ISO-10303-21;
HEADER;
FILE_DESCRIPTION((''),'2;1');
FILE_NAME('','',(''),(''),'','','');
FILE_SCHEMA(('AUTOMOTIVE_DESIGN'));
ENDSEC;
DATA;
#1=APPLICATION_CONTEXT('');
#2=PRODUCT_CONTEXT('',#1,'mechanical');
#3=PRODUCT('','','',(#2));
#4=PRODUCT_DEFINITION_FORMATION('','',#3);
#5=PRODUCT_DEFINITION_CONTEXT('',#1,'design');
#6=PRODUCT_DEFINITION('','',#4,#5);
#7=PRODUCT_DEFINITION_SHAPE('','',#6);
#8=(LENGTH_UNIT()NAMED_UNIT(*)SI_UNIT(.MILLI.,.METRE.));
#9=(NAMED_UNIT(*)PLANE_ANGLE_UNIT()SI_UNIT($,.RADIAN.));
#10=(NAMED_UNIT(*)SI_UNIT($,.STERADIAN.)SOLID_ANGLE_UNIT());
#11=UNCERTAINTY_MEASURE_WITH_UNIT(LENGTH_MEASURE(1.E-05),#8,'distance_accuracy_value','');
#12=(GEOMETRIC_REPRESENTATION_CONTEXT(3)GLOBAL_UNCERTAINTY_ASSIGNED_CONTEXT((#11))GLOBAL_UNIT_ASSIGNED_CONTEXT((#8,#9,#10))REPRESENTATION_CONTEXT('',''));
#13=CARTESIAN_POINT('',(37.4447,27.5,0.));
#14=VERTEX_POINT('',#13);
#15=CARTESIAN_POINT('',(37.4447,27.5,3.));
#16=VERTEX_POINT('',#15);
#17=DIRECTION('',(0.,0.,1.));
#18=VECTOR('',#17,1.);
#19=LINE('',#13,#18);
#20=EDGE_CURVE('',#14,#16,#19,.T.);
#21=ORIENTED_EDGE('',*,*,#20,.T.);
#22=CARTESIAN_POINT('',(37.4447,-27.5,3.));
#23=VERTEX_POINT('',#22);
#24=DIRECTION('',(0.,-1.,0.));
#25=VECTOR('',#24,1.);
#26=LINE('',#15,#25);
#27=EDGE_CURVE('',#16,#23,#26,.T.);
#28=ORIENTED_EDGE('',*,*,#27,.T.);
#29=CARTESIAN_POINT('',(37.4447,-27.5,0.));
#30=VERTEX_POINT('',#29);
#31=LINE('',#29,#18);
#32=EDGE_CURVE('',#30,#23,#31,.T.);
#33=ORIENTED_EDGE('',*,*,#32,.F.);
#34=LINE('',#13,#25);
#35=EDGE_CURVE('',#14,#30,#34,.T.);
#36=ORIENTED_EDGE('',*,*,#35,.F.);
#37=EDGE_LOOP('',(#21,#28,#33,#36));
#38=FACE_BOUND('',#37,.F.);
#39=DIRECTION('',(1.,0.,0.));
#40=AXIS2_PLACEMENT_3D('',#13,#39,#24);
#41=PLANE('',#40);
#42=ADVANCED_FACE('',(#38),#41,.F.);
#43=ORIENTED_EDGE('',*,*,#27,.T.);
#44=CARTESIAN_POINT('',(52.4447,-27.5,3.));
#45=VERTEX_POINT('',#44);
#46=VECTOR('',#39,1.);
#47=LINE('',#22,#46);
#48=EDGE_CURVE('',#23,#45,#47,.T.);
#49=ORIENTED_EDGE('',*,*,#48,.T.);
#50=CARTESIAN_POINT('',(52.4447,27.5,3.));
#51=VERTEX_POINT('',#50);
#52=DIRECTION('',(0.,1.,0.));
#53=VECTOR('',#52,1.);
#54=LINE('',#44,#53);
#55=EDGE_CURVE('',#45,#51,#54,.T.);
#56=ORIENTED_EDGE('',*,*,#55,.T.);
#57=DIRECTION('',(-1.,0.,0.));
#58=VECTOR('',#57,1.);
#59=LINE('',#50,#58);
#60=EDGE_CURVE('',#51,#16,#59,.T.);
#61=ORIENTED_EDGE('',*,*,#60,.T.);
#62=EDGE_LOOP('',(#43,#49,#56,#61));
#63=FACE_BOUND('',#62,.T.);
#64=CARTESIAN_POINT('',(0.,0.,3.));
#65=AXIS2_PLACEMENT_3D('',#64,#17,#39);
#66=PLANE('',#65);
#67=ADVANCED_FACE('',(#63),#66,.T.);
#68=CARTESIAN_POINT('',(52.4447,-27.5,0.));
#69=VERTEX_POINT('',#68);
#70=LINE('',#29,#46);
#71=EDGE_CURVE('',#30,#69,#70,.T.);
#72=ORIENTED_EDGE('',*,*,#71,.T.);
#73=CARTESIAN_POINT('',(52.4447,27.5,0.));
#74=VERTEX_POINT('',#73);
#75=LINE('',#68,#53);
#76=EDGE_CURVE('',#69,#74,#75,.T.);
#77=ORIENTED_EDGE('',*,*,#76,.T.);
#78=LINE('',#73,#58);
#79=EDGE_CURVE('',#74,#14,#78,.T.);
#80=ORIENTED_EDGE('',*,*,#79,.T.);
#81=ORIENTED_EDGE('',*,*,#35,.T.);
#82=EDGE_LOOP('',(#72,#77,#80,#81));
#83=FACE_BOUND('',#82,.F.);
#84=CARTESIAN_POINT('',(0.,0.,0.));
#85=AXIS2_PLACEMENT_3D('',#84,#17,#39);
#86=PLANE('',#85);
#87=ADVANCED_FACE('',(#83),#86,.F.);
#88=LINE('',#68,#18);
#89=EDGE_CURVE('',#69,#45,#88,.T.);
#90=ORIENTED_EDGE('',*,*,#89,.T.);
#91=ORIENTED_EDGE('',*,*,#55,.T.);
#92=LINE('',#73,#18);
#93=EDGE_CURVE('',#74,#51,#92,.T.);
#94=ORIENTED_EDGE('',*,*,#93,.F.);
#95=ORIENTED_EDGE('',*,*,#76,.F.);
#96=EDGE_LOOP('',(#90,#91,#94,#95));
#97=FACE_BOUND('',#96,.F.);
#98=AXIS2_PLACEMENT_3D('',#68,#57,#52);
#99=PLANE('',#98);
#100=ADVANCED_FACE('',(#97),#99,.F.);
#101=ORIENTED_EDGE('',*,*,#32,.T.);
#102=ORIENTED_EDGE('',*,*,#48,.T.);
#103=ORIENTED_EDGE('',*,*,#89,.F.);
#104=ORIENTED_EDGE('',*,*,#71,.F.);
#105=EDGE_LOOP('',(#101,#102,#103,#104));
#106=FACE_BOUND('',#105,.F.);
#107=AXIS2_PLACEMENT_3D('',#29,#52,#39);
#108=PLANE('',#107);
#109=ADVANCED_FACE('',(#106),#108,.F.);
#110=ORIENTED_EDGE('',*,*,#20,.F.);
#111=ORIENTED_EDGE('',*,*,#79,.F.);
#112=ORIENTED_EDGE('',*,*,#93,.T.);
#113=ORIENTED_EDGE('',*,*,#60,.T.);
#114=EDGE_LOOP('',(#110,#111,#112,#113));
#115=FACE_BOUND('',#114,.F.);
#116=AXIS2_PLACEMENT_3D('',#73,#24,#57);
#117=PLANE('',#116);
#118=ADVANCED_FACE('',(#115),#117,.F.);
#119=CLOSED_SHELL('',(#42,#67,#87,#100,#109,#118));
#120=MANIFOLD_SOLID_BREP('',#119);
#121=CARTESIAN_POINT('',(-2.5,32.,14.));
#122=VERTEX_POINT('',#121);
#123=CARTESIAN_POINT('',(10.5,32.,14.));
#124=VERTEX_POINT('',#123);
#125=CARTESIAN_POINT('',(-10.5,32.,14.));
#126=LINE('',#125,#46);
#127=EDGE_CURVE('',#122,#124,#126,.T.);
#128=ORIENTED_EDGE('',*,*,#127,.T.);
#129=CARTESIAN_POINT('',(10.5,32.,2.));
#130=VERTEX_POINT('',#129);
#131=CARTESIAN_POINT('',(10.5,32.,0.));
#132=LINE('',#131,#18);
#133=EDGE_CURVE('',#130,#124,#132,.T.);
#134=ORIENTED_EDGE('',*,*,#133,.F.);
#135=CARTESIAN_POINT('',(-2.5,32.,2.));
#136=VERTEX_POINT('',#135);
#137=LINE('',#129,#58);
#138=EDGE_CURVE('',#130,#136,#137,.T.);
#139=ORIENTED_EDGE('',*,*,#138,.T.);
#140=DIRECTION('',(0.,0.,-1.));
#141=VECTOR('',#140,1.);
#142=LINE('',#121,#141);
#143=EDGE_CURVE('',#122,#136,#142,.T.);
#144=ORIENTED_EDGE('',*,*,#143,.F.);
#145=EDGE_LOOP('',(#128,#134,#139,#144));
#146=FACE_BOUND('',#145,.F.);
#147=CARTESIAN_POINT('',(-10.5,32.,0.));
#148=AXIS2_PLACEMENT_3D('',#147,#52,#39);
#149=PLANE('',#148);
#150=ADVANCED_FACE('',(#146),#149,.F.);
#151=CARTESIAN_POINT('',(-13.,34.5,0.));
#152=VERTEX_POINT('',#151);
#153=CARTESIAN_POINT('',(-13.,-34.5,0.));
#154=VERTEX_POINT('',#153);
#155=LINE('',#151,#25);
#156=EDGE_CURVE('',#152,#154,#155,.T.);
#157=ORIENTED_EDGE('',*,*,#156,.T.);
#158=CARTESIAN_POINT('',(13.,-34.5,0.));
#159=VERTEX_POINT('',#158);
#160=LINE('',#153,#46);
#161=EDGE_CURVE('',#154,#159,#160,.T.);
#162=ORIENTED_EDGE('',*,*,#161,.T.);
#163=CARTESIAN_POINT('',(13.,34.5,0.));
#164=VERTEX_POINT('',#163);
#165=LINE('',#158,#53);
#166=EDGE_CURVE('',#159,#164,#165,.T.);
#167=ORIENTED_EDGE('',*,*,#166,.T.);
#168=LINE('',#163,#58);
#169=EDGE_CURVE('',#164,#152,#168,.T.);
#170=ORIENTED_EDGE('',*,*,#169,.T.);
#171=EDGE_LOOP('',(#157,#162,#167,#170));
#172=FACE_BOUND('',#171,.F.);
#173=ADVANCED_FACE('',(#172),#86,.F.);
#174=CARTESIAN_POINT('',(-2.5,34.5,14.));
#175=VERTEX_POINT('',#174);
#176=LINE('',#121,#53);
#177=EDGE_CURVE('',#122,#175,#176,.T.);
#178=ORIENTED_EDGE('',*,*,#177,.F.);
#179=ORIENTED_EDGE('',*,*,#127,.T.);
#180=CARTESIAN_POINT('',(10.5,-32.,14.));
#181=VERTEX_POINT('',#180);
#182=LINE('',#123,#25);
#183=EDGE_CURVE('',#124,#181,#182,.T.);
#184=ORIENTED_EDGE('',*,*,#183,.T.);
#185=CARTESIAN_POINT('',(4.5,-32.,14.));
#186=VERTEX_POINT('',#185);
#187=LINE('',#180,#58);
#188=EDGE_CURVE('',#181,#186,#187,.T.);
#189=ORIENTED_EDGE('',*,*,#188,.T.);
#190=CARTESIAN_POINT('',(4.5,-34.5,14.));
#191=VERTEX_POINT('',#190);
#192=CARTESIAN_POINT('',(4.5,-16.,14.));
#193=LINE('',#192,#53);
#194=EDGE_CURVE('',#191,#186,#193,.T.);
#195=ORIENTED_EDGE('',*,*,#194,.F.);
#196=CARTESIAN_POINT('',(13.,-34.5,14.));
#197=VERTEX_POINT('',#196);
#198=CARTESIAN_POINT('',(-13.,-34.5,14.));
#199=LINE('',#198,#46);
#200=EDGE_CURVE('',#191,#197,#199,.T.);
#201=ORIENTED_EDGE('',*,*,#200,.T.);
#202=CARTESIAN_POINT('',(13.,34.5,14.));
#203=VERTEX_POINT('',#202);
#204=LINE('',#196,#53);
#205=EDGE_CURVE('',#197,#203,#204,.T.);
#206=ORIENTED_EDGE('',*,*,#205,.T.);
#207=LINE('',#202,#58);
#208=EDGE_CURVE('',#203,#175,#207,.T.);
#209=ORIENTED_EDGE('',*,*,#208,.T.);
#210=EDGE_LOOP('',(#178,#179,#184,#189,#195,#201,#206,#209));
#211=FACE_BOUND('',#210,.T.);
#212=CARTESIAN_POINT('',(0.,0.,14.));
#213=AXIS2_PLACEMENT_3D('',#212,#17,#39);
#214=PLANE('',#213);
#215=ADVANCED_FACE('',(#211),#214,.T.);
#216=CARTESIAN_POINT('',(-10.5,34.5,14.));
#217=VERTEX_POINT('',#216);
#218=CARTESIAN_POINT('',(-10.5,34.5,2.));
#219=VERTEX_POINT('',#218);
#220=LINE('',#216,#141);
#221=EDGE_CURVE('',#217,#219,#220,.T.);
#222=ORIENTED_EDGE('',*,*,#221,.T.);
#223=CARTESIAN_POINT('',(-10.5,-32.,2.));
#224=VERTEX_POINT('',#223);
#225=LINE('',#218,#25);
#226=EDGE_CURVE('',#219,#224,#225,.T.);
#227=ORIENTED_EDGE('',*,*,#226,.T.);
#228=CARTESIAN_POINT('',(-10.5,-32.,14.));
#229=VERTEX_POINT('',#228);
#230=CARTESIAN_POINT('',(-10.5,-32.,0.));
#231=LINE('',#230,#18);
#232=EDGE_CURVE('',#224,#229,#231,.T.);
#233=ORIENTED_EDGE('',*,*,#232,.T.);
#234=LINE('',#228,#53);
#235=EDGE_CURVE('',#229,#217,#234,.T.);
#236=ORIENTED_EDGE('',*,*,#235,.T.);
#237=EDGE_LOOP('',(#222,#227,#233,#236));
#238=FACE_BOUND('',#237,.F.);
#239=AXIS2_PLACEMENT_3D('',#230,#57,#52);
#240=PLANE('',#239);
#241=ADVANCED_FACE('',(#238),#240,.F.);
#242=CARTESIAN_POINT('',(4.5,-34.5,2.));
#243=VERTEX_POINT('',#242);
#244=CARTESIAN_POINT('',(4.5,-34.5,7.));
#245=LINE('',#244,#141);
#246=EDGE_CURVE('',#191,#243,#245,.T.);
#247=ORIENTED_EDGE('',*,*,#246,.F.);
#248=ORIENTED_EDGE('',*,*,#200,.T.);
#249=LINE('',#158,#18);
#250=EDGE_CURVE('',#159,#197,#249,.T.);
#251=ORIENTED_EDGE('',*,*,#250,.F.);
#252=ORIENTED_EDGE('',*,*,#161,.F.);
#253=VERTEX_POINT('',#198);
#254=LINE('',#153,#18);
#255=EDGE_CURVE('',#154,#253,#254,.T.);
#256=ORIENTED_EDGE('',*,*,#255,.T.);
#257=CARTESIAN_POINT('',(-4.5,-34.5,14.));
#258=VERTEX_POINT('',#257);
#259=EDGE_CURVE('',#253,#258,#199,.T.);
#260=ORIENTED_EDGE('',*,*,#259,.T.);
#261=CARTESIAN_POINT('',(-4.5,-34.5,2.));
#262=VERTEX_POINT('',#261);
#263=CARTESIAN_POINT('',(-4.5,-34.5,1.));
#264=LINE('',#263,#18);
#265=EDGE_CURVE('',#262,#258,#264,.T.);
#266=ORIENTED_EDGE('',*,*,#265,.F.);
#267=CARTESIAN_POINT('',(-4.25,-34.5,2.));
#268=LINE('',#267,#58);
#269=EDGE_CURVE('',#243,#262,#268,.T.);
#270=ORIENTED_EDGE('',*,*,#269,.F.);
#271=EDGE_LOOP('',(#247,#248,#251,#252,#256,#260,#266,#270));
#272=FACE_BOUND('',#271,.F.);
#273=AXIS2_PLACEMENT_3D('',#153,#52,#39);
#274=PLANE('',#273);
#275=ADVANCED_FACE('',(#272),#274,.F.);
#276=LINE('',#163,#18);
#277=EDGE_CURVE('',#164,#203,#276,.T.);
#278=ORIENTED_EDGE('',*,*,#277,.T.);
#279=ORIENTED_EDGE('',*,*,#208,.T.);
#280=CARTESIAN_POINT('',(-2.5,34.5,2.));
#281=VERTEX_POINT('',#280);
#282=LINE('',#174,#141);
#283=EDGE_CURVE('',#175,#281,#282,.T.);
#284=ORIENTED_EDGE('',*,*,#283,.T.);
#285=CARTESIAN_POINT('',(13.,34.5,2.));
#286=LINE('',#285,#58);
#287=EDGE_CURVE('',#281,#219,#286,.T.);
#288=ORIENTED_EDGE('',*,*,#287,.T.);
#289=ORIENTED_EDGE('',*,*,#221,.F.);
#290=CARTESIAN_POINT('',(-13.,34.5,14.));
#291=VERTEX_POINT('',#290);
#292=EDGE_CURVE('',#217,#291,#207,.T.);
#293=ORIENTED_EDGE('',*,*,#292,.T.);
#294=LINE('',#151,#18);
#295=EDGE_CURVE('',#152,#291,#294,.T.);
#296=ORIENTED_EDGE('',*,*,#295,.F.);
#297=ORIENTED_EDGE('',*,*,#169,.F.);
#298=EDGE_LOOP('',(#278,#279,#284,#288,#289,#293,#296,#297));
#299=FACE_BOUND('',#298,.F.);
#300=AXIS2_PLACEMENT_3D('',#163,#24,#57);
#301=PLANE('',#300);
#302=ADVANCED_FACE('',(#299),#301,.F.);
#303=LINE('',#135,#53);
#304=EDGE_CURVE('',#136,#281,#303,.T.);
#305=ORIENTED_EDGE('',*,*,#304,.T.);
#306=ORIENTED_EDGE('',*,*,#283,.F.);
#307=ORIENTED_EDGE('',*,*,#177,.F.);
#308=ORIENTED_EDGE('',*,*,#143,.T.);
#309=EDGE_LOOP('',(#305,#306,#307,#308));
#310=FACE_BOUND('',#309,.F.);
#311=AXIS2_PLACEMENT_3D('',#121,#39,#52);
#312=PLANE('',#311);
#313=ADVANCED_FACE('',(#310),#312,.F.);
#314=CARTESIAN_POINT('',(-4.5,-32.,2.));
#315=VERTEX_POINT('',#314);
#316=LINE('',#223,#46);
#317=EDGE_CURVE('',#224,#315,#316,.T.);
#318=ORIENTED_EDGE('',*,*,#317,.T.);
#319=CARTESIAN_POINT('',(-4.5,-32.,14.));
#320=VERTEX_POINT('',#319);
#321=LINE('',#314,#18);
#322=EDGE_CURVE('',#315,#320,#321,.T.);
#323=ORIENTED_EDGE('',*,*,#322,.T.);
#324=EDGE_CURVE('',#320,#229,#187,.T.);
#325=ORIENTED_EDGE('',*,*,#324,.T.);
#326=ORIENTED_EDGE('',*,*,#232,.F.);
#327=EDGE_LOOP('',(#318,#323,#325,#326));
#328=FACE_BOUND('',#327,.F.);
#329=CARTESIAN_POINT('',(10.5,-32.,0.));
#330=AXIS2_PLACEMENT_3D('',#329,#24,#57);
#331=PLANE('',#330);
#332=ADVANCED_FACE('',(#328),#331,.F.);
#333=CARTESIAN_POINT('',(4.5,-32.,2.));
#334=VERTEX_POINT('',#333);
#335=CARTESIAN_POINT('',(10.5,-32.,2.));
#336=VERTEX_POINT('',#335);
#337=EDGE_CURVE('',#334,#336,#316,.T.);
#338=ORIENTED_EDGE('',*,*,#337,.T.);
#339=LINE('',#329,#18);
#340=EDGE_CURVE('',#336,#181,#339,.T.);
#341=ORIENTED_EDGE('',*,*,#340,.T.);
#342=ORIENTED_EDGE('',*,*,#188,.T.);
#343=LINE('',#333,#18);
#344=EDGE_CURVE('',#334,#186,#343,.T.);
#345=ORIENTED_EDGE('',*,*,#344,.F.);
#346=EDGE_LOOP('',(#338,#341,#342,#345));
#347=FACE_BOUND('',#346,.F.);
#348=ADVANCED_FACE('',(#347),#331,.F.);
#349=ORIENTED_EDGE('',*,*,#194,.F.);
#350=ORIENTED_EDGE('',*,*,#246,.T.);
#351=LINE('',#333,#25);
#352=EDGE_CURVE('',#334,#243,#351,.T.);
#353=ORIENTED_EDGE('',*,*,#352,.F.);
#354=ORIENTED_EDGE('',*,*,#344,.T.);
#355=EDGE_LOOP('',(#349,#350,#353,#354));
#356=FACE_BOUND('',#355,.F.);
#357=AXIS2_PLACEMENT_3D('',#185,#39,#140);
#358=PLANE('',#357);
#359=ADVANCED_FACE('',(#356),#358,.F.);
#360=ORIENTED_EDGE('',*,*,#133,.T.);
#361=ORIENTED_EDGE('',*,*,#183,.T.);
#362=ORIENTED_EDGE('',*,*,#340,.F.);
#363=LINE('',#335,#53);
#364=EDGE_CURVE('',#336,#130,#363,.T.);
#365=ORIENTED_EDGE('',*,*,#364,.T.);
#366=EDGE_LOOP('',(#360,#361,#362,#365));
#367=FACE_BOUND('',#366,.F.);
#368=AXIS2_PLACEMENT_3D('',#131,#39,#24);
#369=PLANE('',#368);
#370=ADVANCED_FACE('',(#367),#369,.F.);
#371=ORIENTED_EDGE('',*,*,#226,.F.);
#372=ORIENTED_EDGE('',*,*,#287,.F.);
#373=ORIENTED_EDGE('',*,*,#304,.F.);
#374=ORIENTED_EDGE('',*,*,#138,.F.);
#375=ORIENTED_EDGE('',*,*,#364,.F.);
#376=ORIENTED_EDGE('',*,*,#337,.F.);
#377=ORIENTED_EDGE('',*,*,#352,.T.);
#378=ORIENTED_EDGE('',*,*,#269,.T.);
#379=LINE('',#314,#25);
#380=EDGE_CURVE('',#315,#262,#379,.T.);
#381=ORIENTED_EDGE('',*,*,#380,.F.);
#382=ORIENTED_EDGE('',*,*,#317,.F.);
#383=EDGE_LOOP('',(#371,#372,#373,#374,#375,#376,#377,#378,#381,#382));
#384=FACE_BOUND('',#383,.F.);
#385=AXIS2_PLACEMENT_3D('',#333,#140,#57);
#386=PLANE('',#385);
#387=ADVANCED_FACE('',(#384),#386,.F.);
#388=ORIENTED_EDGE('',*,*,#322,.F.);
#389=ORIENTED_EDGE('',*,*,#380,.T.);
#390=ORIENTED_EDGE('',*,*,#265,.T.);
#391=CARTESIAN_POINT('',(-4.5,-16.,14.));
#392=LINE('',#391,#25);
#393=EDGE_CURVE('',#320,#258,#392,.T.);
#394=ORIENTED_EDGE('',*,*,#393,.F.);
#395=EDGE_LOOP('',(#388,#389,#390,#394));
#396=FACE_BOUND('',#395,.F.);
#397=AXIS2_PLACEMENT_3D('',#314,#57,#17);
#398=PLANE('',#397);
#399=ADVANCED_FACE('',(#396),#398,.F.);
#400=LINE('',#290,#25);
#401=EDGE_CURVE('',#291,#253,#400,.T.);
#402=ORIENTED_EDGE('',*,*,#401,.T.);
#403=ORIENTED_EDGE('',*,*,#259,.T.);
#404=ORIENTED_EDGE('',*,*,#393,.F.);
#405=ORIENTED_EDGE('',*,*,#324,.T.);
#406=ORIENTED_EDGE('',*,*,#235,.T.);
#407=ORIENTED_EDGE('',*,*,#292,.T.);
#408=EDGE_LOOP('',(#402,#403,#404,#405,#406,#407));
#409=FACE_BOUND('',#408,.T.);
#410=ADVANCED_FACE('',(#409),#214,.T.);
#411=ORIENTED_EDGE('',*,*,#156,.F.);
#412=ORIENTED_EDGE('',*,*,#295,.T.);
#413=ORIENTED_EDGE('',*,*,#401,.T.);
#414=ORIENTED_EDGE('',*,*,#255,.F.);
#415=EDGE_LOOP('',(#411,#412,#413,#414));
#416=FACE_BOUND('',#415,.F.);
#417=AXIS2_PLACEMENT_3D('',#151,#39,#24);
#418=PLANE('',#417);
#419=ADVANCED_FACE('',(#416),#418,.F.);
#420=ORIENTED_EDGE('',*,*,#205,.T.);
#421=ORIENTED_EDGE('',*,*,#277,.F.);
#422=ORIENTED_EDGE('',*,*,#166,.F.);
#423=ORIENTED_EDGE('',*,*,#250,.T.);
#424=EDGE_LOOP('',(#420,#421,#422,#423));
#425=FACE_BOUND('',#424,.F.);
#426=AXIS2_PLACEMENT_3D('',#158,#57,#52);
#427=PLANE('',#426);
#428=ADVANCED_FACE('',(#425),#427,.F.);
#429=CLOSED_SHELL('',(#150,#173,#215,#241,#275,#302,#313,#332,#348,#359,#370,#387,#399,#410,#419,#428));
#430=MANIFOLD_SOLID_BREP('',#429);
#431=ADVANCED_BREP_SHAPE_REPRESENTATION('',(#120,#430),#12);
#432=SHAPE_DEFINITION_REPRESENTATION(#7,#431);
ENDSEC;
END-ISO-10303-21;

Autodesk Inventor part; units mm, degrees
ref_plane "YZ Plane" through (0, 0, 0) normal (1, 0, 0) x (0, 1, 0)
ref_plane "XZ Plane" through (0, 0, 0) normal (0, 1, 0) x (-1, 0, 0)
ref_plane "XY Plane" through (0, 0, 0) normal (0, 0, 1) x (1, 0, 0)
sketch "Skizze1" plane through (0, 0, 0) normal (0, 0, 1) x (1, 0, 0)
  line L0 (-10.5, 32) -> (10.5, 32)
  line L1 (10.5, 32) -> (10.5, -32)
  line L2 (10.5, -32) -> (-10.5, -32)
  line L3 (-10.5, -32) -> (-10.5, 32)
  line L4 (-10.5, 32) -> (10.5, -32) construction
  line L5 (10.5, 32) -> (-10.5, -32) construction
  line L6 (13, -34.5) -> (13, 34.5)
  line L7 (13, 34.5) -> (-13, 34.5)
  line L8 (-13, 34.5) -> (-13, -34.5)
  line L9 (-13, -34.5) -> (13, -34.5)
  point P0 (0, 0)
  dimension "d0" = 21
  dimension "d1" = 64
  dimension "d2" = 2.5
extrude "Extrusion1" add sketch "Skizze1" along normal blind 14
sketch "Skizze2" plane through (0, 0, 0) normal (0, 0, -1) x (-1, 0, 0)
  line L0 (-10.5, -32) -> (-10.5, 32) projected
  line L1 (-10.5, 32) -> (10.5, 32) projected
  line L2 (10.5, 32) -> (10.5, -32) projected
  line L3 (10.5, -32) -> (-10.5, -32) projected
  line L4 (-13, -34.5) -> (-13, 34.5) projected
  line L5 (13, -34.5) -> (-13, -34.5) projected
  line L6 (13, 34.5) -> (13, -34.5) projected
  line L7 (-13, 34.5) -> (13, 34.5) projected
  point P0 (0, 0)
extrude "Extrusion2" add sketch "Skizze2" against normal blind 2 contours L0 L1 L2 L3
sketch "Skizze3" plane through (-10.5, -32, 14) normal (0, 1, 0) x (1, 0, 0)
  line L0 (21, 12) -> (0, 12) projected
  line L1 (0, 12) -> (0, 0) projected
  line L2 (21, 0) -> (0, 0) projected
  line L3 (21, 12) -> (21, 0) projected
  line L4 (15, 27.4214) -> (6, 27.4214)
  line L5 (6, 27.4214) -> (6, -3.4214)
  line L6 (6, -3.4214) -> (15, -3.4214)
  line L7 (15, -3.4214) -> (15, 27.4214)
  line L8 (21, 12) -> (0, 12) projected
  line L9 (15, 27.4214) -> (6, -3.4214) construction
  line L10 (6, 27.4214) -> (15, -3.4214) construction
  line L11 (15, 12) -> (6, 12)
  point P0 (10.5, 14)
  point P1 (10.5, 12)
  dimension "d7" = 9
extrude "Extrusion3" cut sketch "Skizze3" against normal through all contours L7 L2 L5 L0 | L7 L6 L5 L2
sketch "Skizze4" plane through (0, 0, 14) normal (0, 0, 1) x (1, 0, 0)
  line L0 (-10.5, 32) -> (10.5, 32) projected
  line L1 (13, 34.5) -> (-13, 34.5) projected
  line L2 (-10.5, 32) -> (-2.5, 32)
  line L3 (-2.5, 32) -> (-2.5, 34.5)
  line L4 (-2.5, 34.5) -> (-10.5, 34.5)
  line L5 (-10.5, 34.5) -> (-10.5, 32)
  point P0 (0, 0)
  dimension "d10" = 8
extrude "Extrusion4" cut sketch "Skizze4" against normal up to surface (12 mm away)
sketch "Skizze5" plane through (0, 0, 0) normal (0, 0, 1) x (1, 0, 0)
  line L0 (37.4447, -27.5) -> (52.4447, -27.5)
  line L1 (52.4447, -27.5) -> (52.4447, 27.5)
  line L2 (52.4447, 27.5) -> (37.4447, 27.5)
  line L3 (37.4447, 27.5) -> (37.4447, -27.5)
  line L4 (37.4447, -27.5) -> (52.4447, 27.5) construction
  line L5 (52.4447, -27.5) -> (37.4447, 27.5) construction
  point P0 (0, 0)
  point P1 (44.9447, 0)
  dimension "d13" = 15
  dimension "d14" = 55
extrude "Extrusion5" add sketch "Skizze5" along normal blind 3
properties part number "mcu_housing"
